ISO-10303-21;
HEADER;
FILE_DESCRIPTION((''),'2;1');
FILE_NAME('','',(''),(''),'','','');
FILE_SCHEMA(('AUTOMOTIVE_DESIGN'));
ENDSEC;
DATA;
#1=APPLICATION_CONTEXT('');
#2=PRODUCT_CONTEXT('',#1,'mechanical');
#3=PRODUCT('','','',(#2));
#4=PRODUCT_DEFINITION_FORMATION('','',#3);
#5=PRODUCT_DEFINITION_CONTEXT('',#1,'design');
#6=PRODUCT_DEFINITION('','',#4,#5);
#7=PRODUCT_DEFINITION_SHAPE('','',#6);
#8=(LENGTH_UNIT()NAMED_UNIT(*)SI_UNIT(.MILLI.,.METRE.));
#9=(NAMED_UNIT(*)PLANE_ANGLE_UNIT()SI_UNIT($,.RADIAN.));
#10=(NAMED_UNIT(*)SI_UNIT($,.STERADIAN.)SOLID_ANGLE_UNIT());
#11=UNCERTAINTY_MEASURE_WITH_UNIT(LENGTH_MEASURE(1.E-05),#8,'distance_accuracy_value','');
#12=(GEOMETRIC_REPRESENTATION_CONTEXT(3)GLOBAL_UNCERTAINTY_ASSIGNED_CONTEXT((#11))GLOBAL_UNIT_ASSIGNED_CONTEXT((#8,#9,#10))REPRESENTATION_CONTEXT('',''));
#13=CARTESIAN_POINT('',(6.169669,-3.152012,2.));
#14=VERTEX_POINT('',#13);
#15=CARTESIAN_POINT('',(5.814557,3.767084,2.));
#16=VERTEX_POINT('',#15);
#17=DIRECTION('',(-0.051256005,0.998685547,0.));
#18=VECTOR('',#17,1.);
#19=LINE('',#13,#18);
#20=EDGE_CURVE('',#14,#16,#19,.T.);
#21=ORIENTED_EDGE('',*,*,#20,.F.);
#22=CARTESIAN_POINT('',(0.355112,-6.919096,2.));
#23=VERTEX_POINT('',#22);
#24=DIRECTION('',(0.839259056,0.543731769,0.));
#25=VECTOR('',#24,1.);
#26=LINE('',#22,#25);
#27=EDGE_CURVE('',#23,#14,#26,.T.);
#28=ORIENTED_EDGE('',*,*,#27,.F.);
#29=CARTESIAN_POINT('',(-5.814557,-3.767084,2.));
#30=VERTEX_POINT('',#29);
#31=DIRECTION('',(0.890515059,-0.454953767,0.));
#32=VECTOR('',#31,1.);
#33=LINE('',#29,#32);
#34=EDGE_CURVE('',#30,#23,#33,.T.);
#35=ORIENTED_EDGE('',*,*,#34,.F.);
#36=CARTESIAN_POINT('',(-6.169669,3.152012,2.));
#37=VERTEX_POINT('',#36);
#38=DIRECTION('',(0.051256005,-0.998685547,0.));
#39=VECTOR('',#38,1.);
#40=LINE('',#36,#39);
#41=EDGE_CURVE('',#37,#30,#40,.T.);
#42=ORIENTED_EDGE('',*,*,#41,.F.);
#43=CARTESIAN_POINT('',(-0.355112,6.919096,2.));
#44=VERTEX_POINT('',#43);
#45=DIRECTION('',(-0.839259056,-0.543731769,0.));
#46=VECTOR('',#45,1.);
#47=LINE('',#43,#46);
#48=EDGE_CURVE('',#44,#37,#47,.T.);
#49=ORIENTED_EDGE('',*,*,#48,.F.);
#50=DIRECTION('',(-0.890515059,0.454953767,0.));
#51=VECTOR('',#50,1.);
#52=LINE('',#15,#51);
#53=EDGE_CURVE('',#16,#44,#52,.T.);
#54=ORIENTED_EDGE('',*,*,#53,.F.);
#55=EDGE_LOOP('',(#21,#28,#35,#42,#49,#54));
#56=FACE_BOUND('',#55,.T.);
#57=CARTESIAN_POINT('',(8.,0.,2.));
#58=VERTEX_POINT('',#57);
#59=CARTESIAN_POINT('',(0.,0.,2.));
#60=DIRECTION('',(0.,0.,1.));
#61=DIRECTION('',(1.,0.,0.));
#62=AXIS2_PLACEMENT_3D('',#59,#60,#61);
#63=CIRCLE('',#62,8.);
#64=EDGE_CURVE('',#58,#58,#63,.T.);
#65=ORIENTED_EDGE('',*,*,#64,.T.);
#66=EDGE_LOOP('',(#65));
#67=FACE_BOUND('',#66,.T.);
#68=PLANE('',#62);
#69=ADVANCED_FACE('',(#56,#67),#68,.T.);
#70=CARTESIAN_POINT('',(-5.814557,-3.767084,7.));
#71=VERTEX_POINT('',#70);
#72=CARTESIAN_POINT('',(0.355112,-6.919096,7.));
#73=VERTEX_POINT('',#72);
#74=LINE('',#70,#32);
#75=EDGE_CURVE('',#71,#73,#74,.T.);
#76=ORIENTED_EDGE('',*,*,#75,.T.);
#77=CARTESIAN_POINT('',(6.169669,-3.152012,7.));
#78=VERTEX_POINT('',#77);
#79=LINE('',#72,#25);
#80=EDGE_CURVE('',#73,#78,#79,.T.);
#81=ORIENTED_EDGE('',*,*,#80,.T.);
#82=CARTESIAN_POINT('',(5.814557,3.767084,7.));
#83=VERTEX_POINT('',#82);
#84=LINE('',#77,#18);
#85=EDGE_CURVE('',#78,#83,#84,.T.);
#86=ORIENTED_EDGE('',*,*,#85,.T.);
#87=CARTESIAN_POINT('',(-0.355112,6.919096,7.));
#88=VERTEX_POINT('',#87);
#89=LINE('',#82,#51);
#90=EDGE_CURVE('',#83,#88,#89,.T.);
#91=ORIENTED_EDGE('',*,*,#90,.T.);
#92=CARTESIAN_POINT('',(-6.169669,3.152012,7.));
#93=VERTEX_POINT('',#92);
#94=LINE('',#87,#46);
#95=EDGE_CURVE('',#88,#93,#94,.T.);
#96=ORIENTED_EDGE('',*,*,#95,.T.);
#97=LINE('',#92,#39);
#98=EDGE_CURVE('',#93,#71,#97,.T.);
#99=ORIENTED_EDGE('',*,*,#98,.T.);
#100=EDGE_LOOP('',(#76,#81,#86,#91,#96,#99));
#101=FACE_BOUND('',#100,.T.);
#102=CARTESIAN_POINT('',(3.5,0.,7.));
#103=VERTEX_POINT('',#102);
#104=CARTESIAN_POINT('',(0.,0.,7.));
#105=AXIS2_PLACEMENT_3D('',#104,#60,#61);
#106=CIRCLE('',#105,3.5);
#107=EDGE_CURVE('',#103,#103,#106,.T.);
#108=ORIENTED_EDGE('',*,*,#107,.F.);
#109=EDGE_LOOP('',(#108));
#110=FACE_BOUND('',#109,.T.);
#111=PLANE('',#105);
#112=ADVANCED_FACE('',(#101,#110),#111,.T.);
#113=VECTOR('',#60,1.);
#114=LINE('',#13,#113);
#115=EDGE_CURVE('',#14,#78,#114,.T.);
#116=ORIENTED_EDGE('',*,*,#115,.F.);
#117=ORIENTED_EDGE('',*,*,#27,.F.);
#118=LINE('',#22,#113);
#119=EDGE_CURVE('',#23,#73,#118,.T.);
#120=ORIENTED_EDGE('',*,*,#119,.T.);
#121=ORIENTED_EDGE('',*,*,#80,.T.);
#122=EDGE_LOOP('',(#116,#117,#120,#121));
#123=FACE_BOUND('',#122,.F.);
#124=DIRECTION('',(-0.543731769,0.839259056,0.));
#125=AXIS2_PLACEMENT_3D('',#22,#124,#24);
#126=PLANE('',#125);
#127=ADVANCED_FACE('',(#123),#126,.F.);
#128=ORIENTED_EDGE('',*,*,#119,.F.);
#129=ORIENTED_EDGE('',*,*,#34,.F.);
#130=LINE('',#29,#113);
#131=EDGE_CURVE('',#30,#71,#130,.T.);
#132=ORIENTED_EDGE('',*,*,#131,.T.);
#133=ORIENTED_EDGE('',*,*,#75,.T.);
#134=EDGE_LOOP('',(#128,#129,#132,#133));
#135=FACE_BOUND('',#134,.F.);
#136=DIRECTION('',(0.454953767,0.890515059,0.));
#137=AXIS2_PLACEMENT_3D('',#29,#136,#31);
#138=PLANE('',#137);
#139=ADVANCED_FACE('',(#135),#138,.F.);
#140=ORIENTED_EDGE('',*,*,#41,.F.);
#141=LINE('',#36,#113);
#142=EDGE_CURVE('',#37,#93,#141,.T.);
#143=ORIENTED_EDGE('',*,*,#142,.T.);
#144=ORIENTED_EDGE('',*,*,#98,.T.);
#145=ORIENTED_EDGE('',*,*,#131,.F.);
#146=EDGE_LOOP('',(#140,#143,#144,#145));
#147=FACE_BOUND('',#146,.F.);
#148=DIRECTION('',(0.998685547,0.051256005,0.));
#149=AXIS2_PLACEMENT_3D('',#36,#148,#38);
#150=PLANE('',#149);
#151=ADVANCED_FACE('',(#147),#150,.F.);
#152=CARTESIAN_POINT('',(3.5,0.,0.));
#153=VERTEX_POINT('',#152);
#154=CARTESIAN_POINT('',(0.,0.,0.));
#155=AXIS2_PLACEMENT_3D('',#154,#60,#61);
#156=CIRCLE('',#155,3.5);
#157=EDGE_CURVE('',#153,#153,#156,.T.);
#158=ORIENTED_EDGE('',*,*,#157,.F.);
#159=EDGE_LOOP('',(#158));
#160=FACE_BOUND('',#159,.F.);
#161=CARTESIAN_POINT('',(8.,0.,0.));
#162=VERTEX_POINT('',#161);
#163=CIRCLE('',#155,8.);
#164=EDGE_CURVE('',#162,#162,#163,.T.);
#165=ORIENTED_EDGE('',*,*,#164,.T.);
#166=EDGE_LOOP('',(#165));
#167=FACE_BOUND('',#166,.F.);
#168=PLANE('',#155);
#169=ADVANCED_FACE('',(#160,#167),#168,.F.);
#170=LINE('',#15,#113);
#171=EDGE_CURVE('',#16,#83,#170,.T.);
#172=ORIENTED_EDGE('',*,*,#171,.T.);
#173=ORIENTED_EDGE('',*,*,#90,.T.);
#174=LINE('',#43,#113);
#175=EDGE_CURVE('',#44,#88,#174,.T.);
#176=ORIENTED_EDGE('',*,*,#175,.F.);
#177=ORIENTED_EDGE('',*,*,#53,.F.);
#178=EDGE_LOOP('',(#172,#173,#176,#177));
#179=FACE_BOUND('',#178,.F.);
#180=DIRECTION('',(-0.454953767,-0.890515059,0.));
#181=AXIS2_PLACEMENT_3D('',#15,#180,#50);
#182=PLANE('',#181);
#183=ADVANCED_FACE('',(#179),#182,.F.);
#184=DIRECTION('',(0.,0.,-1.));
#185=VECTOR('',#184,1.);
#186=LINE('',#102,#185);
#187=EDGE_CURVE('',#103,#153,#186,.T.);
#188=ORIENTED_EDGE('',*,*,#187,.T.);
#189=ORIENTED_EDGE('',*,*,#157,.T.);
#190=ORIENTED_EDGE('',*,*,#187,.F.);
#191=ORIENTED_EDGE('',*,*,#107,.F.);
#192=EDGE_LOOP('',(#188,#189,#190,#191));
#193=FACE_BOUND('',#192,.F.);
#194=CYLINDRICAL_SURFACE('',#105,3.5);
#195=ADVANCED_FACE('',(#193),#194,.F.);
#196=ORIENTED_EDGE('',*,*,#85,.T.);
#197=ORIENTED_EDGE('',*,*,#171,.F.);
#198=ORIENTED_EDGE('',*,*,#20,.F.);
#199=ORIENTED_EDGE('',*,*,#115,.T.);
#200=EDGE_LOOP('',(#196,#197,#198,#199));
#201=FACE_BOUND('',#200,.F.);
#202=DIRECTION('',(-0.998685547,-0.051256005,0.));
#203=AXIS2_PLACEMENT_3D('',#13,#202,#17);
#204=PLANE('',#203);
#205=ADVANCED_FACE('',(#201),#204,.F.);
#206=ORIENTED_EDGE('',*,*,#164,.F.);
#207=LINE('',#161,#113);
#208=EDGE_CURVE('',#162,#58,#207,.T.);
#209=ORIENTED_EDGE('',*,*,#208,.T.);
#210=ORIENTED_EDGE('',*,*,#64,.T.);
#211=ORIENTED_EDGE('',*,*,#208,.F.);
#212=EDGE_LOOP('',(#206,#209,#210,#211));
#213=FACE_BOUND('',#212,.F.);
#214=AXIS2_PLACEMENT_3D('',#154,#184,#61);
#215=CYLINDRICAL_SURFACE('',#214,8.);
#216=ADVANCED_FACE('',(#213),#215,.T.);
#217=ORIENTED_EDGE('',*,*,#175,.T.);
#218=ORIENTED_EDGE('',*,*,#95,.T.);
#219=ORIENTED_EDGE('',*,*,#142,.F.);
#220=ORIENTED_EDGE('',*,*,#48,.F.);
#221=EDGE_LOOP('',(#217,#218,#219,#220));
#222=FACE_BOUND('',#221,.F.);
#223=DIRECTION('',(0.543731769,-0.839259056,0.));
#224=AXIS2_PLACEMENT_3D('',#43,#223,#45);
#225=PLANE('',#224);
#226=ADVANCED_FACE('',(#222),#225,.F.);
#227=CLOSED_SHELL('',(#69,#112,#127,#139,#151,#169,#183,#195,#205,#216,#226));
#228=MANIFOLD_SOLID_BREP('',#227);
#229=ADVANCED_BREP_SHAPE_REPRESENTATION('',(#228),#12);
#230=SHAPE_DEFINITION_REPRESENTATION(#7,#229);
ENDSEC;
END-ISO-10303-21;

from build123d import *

# Parameters (mm, degrees)
F0_R     = 8
F1_DEPTH = 2
F3_DEPTH = 5
F4_R     = 3.5
F5_DEPTH = 25


with BuildPart() as f1:
    # F0 (on Top) → F1 (new body)
    with BuildSketch(Plane.XY):
        Circle(F0_R)
    extrude(amount=F1_DEPTH)

    # F2 (on face) → F3 (join)
    with BuildSketch(Plane.XY.offset(2)):
        Polygon((5.814557, 3.767084), (-0.355112, 6.919096), (-6.169669, 3.152012), (-5.814557, -3.767084), (0.355112, -6.919096), (6.169669, -3.152012), align=None)
    extrude(amount=F3_DEPTH)

    # F4 (on face) → F5 (cut)
    with BuildSketch(Plane.XY.offset(7)):
        Circle(F4_R)
    extrude(amount=-F5_DEPTH, mode=Mode.SUBTRACT)


solid = f1.part
